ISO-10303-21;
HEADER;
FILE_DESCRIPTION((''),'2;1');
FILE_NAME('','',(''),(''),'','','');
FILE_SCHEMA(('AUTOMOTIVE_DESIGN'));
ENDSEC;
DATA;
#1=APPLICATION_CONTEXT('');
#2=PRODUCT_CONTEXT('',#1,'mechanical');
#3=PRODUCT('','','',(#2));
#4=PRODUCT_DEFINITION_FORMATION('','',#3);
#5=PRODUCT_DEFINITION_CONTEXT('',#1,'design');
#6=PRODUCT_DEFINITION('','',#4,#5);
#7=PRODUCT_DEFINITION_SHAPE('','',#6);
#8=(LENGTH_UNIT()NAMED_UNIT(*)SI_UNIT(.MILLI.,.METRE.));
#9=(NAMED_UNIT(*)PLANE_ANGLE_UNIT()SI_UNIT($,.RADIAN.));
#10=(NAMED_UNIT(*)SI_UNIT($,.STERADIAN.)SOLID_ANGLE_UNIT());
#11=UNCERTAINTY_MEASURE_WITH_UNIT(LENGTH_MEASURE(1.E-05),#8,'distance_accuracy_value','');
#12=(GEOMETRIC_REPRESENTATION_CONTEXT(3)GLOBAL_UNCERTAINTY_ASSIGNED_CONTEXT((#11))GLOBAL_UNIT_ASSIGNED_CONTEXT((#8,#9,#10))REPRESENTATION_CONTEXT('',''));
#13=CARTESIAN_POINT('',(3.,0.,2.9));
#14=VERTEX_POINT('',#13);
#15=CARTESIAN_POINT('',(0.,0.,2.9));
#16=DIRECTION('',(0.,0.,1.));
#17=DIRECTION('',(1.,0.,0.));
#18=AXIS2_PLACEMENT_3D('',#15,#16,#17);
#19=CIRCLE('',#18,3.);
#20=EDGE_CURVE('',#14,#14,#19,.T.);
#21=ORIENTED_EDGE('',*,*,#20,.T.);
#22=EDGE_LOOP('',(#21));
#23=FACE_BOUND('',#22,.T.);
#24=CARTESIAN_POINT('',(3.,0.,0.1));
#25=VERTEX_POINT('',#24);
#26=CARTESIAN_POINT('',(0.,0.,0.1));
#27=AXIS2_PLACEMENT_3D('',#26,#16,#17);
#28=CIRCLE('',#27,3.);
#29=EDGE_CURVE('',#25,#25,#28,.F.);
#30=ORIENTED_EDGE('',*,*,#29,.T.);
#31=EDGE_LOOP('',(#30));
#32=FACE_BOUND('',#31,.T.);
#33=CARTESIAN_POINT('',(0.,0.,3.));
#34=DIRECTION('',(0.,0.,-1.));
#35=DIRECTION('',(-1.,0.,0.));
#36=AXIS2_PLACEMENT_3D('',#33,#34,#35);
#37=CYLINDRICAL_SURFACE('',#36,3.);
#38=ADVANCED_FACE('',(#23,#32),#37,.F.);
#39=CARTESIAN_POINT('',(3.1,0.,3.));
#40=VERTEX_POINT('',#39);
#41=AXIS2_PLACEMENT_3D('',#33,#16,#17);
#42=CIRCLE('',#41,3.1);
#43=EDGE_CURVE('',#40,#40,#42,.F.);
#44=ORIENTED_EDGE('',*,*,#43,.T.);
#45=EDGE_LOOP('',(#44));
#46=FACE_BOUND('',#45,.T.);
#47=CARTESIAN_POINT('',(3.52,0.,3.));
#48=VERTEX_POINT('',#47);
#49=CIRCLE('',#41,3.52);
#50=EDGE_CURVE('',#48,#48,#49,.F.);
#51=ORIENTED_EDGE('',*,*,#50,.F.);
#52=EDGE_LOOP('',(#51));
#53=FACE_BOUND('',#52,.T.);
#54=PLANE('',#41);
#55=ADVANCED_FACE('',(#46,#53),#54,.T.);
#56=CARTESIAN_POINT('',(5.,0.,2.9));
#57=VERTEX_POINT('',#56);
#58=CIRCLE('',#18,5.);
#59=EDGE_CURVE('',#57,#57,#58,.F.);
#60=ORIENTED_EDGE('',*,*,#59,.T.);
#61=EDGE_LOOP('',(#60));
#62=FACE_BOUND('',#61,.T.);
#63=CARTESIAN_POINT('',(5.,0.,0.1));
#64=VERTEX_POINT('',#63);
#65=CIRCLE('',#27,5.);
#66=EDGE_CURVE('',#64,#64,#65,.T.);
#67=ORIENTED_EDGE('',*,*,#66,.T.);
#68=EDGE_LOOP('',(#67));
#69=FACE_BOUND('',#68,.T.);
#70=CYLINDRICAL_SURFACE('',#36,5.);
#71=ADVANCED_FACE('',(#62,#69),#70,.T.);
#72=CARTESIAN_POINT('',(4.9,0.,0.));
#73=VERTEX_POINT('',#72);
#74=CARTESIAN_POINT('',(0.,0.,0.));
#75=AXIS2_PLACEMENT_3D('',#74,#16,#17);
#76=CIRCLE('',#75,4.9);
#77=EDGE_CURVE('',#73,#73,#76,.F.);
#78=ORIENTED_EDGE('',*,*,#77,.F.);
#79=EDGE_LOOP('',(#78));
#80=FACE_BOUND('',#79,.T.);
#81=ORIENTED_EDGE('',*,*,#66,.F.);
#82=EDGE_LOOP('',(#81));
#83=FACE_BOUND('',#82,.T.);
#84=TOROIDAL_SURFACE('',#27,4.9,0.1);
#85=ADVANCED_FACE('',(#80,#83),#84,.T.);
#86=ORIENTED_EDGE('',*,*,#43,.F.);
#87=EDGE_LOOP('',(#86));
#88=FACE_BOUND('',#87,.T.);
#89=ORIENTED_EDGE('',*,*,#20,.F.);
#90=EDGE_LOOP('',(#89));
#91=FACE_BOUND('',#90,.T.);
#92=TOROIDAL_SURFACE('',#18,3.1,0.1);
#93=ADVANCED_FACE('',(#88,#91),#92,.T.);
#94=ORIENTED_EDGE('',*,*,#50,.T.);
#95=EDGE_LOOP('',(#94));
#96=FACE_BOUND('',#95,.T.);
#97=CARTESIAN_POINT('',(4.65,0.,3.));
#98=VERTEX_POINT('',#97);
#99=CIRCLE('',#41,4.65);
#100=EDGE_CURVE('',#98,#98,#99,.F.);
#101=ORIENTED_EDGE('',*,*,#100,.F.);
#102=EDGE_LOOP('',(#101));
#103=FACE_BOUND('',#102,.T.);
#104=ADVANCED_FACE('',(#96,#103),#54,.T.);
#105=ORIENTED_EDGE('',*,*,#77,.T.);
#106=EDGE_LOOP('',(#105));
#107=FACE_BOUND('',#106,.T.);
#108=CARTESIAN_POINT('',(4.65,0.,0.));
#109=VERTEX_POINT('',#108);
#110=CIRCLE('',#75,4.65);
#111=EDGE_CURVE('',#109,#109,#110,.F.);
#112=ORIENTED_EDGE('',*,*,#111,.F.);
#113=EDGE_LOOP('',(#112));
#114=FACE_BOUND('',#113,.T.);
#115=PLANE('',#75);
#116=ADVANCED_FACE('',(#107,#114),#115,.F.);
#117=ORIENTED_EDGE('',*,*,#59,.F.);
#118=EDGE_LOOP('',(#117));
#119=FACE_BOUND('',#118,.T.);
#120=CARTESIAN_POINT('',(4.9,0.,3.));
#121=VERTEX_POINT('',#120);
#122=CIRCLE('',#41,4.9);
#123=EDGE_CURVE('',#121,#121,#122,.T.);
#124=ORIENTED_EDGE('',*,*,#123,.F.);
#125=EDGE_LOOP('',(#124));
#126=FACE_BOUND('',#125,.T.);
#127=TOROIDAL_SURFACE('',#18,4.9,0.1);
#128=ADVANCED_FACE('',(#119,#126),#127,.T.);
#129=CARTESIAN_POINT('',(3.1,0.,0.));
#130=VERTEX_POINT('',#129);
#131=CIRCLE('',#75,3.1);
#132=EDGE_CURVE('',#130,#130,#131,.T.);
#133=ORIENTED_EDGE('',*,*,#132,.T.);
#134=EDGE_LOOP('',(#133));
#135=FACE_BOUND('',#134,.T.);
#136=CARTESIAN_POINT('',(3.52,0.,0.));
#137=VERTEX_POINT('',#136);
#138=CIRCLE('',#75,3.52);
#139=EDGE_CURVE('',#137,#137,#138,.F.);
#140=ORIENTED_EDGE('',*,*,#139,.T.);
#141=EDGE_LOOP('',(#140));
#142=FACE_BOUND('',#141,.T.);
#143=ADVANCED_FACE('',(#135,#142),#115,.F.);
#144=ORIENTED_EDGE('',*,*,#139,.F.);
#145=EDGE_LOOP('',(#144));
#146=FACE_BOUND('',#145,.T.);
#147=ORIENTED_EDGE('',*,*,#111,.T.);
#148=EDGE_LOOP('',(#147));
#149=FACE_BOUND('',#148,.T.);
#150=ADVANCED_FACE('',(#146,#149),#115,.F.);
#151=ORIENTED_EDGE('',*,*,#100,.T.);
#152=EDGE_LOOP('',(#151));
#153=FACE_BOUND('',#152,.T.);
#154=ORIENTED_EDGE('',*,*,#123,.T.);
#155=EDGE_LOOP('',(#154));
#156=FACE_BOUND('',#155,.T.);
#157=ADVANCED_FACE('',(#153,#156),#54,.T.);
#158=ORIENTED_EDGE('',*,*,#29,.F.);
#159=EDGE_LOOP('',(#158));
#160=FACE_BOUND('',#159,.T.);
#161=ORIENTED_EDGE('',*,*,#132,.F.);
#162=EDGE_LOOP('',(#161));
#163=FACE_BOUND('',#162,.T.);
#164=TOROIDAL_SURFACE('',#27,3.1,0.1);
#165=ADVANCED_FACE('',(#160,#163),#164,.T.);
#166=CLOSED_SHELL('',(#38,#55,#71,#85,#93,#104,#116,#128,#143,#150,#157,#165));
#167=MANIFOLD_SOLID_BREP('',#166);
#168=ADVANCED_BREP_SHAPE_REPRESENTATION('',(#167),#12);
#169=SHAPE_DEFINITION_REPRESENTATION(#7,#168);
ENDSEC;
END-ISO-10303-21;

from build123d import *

# Parameters (mm, degrees)
SKETCH_1_R      = 5
SKETCH_1_R_2    = 3
EXTRUDE_1_DEPTH = 3
FILLET_1_R      = 0.1


with BuildPart() as part:
    # ｽｹｯﾁ1 → ﾎﾞｽ - 押し出し1 (new body)
    with BuildSketch(Plane.XY):
        Circle(SKETCH_1_R)
        Circle(SKETCH_1_R_2, mode=Mode.SUBTRACT)
    extrude(amount=EXTRUDE_1_DEPTH)

    # ﾌｨﾚｯﾄ1
    fillet_1_edges = [part.edges().sort_by_distance(p)[0] for p in [
        (-5, 0, 0),
        (-5, 0, 3),
        (-3, 0, 0),
        (-3, 0, 3),
    ]]
    fillet(fillet_1_edges, radius=FILLET_1_R)


solid = part.part
